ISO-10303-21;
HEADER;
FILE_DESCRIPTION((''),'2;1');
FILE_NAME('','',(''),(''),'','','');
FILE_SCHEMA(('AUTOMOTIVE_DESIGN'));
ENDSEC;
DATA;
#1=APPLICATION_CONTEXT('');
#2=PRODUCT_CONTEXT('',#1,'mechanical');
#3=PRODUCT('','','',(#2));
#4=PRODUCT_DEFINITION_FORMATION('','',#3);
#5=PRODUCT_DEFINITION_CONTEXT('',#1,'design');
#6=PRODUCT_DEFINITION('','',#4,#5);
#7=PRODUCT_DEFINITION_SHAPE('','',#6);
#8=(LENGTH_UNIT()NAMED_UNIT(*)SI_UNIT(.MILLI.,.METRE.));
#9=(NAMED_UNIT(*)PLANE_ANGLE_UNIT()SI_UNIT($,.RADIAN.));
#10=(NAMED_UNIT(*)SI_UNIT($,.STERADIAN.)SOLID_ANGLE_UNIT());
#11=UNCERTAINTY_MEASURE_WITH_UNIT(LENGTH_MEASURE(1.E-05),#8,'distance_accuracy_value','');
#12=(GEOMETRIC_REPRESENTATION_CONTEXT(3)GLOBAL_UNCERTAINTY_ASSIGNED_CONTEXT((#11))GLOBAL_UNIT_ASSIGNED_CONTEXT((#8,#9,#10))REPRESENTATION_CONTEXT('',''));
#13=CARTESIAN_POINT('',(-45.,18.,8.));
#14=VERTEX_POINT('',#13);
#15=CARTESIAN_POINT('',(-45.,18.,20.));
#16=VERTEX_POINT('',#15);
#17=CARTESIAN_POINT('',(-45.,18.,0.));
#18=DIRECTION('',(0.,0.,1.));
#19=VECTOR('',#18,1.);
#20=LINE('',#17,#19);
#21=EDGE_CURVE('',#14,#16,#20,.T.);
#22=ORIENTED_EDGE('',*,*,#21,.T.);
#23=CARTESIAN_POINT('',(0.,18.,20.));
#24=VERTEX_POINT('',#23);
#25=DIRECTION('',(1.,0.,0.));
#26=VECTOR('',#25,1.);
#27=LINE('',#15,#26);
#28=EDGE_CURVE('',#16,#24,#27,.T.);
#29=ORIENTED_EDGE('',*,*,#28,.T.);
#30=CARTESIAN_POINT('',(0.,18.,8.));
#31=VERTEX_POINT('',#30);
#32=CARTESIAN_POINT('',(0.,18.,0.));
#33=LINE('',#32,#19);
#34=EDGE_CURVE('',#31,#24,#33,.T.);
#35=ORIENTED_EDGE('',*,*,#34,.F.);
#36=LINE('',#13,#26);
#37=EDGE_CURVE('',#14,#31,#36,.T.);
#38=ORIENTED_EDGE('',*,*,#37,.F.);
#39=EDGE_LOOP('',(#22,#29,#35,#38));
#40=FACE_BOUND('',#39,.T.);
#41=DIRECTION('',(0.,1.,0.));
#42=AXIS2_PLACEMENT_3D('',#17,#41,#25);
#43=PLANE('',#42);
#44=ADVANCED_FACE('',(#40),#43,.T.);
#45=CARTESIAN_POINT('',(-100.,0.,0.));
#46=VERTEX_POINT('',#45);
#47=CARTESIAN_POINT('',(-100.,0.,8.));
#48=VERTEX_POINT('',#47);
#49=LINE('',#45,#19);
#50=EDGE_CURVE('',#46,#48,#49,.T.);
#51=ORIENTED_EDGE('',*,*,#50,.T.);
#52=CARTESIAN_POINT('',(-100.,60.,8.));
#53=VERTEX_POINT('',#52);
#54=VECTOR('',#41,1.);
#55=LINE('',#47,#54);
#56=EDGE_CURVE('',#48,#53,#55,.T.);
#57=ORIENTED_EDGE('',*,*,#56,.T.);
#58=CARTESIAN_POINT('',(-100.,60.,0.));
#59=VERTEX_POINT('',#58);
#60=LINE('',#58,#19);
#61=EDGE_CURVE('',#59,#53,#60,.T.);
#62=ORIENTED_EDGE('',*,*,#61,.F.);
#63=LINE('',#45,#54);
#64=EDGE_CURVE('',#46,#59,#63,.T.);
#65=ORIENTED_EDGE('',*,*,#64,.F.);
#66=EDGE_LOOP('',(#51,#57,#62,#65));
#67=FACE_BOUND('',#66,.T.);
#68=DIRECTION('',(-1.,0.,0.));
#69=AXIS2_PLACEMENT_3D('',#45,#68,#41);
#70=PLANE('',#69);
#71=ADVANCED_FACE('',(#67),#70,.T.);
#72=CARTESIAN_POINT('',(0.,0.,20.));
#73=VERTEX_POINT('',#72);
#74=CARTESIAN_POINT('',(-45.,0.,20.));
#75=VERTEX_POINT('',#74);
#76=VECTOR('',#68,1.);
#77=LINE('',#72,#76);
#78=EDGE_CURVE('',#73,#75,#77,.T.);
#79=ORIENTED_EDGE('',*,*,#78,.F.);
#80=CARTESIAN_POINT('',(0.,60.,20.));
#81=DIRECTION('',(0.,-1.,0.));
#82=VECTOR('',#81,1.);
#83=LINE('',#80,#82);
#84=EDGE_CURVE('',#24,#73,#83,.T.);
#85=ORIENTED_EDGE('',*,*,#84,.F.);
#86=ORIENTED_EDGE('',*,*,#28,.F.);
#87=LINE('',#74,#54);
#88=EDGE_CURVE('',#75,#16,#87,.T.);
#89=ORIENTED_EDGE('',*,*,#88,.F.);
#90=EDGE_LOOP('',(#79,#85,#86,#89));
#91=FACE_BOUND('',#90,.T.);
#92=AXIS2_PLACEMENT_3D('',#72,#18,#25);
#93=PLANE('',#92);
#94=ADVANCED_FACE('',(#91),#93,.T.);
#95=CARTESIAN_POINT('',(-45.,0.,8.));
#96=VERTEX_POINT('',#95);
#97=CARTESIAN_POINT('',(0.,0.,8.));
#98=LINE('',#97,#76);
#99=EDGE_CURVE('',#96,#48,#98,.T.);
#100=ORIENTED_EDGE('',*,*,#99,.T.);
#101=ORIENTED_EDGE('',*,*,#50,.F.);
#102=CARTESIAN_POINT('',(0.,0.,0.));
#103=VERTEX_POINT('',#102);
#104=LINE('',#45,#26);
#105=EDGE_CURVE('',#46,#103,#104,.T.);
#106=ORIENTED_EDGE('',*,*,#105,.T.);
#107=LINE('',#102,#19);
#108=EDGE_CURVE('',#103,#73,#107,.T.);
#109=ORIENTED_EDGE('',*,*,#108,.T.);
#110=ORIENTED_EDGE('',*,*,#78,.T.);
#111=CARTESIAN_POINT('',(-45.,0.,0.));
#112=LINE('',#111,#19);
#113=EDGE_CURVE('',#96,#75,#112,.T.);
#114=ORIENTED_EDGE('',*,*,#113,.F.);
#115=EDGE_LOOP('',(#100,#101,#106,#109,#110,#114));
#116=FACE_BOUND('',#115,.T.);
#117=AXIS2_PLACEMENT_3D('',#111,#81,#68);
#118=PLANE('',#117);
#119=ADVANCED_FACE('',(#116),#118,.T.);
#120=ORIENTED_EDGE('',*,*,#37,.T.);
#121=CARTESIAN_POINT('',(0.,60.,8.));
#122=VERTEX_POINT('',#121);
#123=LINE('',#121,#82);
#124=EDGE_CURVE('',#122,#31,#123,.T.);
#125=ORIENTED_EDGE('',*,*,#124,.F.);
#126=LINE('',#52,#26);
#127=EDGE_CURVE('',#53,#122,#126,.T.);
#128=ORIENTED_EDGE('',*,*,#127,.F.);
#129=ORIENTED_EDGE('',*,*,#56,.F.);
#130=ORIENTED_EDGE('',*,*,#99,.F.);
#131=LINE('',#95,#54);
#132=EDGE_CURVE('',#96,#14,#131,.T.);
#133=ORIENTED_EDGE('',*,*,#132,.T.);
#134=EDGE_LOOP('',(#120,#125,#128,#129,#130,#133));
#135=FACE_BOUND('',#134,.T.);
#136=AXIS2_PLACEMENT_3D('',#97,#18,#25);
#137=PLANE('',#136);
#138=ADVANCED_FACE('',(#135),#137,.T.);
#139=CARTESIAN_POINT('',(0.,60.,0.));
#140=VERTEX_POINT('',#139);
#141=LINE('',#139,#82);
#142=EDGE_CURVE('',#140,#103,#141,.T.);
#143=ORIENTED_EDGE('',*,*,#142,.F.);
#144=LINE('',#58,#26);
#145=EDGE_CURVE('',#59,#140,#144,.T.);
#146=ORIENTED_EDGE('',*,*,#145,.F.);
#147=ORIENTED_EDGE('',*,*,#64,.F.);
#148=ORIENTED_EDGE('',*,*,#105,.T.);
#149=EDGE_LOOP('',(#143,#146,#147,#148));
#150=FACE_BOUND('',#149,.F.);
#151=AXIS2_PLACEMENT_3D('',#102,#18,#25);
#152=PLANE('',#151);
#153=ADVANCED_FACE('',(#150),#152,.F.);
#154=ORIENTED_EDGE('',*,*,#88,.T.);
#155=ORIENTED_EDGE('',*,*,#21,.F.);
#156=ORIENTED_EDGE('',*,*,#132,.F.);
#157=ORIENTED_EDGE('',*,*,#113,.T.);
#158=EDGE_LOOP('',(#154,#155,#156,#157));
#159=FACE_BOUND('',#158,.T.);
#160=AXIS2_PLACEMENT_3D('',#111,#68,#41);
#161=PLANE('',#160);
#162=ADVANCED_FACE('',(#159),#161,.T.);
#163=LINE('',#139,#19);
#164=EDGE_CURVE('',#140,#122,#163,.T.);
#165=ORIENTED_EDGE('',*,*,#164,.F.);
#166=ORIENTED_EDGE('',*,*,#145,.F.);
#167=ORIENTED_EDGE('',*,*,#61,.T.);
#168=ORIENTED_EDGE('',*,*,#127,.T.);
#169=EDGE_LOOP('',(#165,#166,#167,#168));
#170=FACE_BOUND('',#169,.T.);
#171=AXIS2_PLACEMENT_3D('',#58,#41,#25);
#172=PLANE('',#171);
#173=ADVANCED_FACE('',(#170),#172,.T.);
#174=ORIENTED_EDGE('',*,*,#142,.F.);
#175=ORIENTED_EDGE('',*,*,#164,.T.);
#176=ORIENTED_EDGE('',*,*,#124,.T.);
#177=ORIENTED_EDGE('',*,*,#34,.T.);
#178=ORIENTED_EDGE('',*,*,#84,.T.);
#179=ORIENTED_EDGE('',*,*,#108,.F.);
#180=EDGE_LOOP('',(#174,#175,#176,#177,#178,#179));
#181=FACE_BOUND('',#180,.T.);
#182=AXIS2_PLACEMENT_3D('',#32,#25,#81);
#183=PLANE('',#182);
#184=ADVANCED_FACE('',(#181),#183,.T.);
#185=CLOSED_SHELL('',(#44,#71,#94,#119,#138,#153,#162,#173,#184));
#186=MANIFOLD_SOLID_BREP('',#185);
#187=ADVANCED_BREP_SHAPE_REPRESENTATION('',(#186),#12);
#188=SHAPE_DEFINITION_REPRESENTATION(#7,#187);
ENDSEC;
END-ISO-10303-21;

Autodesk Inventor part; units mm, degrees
ref_plane "YZ Plane" through (0, 0, 0) normal (1, 0, 0) x (0, 1, 0)
ref_plane "XZ Plane" through (0, 0, 0) normal (0, 1, 0) x (-1, 0, 0)
ref_plane "XY Plane" through (0, 0, 0) normal (0, 0, 1) x (1, 0, 0)
sketch "スケッチ1" plane through (0, 0, 0) normal (0, 0, 1) x (1, 0, 0)
  line L0 (0, 0) -> (-100, 0)
  line L1 (-100, 0) -> (-100, 60)
  line L2 (-100, 60) -> (0, 60)
  line L3 (0, 60) -> (0, 0)
  line L4 (0, 0) -> (-45, 0)
  line L5 (-45, 0) -> (-45, 18)
  line L6 (-45, 18) -> (0, 18)
  line L7 (0, 18) -> (0, 0)
  dimension "d0" = 100
  dimension "d1" = 60
  dimension "d2" = 45
  dimension "d3" = 18
extrude "押し出し1" add sketch "スケッチ1" along normal blind 8 contours L0 L1 L2 L3 L6 L5
extrude "押し出し2" add sketch "スケッチ1" along normal blind 20 contours L0 L5 L6 L3
properties part number "Arduinonano+α"
